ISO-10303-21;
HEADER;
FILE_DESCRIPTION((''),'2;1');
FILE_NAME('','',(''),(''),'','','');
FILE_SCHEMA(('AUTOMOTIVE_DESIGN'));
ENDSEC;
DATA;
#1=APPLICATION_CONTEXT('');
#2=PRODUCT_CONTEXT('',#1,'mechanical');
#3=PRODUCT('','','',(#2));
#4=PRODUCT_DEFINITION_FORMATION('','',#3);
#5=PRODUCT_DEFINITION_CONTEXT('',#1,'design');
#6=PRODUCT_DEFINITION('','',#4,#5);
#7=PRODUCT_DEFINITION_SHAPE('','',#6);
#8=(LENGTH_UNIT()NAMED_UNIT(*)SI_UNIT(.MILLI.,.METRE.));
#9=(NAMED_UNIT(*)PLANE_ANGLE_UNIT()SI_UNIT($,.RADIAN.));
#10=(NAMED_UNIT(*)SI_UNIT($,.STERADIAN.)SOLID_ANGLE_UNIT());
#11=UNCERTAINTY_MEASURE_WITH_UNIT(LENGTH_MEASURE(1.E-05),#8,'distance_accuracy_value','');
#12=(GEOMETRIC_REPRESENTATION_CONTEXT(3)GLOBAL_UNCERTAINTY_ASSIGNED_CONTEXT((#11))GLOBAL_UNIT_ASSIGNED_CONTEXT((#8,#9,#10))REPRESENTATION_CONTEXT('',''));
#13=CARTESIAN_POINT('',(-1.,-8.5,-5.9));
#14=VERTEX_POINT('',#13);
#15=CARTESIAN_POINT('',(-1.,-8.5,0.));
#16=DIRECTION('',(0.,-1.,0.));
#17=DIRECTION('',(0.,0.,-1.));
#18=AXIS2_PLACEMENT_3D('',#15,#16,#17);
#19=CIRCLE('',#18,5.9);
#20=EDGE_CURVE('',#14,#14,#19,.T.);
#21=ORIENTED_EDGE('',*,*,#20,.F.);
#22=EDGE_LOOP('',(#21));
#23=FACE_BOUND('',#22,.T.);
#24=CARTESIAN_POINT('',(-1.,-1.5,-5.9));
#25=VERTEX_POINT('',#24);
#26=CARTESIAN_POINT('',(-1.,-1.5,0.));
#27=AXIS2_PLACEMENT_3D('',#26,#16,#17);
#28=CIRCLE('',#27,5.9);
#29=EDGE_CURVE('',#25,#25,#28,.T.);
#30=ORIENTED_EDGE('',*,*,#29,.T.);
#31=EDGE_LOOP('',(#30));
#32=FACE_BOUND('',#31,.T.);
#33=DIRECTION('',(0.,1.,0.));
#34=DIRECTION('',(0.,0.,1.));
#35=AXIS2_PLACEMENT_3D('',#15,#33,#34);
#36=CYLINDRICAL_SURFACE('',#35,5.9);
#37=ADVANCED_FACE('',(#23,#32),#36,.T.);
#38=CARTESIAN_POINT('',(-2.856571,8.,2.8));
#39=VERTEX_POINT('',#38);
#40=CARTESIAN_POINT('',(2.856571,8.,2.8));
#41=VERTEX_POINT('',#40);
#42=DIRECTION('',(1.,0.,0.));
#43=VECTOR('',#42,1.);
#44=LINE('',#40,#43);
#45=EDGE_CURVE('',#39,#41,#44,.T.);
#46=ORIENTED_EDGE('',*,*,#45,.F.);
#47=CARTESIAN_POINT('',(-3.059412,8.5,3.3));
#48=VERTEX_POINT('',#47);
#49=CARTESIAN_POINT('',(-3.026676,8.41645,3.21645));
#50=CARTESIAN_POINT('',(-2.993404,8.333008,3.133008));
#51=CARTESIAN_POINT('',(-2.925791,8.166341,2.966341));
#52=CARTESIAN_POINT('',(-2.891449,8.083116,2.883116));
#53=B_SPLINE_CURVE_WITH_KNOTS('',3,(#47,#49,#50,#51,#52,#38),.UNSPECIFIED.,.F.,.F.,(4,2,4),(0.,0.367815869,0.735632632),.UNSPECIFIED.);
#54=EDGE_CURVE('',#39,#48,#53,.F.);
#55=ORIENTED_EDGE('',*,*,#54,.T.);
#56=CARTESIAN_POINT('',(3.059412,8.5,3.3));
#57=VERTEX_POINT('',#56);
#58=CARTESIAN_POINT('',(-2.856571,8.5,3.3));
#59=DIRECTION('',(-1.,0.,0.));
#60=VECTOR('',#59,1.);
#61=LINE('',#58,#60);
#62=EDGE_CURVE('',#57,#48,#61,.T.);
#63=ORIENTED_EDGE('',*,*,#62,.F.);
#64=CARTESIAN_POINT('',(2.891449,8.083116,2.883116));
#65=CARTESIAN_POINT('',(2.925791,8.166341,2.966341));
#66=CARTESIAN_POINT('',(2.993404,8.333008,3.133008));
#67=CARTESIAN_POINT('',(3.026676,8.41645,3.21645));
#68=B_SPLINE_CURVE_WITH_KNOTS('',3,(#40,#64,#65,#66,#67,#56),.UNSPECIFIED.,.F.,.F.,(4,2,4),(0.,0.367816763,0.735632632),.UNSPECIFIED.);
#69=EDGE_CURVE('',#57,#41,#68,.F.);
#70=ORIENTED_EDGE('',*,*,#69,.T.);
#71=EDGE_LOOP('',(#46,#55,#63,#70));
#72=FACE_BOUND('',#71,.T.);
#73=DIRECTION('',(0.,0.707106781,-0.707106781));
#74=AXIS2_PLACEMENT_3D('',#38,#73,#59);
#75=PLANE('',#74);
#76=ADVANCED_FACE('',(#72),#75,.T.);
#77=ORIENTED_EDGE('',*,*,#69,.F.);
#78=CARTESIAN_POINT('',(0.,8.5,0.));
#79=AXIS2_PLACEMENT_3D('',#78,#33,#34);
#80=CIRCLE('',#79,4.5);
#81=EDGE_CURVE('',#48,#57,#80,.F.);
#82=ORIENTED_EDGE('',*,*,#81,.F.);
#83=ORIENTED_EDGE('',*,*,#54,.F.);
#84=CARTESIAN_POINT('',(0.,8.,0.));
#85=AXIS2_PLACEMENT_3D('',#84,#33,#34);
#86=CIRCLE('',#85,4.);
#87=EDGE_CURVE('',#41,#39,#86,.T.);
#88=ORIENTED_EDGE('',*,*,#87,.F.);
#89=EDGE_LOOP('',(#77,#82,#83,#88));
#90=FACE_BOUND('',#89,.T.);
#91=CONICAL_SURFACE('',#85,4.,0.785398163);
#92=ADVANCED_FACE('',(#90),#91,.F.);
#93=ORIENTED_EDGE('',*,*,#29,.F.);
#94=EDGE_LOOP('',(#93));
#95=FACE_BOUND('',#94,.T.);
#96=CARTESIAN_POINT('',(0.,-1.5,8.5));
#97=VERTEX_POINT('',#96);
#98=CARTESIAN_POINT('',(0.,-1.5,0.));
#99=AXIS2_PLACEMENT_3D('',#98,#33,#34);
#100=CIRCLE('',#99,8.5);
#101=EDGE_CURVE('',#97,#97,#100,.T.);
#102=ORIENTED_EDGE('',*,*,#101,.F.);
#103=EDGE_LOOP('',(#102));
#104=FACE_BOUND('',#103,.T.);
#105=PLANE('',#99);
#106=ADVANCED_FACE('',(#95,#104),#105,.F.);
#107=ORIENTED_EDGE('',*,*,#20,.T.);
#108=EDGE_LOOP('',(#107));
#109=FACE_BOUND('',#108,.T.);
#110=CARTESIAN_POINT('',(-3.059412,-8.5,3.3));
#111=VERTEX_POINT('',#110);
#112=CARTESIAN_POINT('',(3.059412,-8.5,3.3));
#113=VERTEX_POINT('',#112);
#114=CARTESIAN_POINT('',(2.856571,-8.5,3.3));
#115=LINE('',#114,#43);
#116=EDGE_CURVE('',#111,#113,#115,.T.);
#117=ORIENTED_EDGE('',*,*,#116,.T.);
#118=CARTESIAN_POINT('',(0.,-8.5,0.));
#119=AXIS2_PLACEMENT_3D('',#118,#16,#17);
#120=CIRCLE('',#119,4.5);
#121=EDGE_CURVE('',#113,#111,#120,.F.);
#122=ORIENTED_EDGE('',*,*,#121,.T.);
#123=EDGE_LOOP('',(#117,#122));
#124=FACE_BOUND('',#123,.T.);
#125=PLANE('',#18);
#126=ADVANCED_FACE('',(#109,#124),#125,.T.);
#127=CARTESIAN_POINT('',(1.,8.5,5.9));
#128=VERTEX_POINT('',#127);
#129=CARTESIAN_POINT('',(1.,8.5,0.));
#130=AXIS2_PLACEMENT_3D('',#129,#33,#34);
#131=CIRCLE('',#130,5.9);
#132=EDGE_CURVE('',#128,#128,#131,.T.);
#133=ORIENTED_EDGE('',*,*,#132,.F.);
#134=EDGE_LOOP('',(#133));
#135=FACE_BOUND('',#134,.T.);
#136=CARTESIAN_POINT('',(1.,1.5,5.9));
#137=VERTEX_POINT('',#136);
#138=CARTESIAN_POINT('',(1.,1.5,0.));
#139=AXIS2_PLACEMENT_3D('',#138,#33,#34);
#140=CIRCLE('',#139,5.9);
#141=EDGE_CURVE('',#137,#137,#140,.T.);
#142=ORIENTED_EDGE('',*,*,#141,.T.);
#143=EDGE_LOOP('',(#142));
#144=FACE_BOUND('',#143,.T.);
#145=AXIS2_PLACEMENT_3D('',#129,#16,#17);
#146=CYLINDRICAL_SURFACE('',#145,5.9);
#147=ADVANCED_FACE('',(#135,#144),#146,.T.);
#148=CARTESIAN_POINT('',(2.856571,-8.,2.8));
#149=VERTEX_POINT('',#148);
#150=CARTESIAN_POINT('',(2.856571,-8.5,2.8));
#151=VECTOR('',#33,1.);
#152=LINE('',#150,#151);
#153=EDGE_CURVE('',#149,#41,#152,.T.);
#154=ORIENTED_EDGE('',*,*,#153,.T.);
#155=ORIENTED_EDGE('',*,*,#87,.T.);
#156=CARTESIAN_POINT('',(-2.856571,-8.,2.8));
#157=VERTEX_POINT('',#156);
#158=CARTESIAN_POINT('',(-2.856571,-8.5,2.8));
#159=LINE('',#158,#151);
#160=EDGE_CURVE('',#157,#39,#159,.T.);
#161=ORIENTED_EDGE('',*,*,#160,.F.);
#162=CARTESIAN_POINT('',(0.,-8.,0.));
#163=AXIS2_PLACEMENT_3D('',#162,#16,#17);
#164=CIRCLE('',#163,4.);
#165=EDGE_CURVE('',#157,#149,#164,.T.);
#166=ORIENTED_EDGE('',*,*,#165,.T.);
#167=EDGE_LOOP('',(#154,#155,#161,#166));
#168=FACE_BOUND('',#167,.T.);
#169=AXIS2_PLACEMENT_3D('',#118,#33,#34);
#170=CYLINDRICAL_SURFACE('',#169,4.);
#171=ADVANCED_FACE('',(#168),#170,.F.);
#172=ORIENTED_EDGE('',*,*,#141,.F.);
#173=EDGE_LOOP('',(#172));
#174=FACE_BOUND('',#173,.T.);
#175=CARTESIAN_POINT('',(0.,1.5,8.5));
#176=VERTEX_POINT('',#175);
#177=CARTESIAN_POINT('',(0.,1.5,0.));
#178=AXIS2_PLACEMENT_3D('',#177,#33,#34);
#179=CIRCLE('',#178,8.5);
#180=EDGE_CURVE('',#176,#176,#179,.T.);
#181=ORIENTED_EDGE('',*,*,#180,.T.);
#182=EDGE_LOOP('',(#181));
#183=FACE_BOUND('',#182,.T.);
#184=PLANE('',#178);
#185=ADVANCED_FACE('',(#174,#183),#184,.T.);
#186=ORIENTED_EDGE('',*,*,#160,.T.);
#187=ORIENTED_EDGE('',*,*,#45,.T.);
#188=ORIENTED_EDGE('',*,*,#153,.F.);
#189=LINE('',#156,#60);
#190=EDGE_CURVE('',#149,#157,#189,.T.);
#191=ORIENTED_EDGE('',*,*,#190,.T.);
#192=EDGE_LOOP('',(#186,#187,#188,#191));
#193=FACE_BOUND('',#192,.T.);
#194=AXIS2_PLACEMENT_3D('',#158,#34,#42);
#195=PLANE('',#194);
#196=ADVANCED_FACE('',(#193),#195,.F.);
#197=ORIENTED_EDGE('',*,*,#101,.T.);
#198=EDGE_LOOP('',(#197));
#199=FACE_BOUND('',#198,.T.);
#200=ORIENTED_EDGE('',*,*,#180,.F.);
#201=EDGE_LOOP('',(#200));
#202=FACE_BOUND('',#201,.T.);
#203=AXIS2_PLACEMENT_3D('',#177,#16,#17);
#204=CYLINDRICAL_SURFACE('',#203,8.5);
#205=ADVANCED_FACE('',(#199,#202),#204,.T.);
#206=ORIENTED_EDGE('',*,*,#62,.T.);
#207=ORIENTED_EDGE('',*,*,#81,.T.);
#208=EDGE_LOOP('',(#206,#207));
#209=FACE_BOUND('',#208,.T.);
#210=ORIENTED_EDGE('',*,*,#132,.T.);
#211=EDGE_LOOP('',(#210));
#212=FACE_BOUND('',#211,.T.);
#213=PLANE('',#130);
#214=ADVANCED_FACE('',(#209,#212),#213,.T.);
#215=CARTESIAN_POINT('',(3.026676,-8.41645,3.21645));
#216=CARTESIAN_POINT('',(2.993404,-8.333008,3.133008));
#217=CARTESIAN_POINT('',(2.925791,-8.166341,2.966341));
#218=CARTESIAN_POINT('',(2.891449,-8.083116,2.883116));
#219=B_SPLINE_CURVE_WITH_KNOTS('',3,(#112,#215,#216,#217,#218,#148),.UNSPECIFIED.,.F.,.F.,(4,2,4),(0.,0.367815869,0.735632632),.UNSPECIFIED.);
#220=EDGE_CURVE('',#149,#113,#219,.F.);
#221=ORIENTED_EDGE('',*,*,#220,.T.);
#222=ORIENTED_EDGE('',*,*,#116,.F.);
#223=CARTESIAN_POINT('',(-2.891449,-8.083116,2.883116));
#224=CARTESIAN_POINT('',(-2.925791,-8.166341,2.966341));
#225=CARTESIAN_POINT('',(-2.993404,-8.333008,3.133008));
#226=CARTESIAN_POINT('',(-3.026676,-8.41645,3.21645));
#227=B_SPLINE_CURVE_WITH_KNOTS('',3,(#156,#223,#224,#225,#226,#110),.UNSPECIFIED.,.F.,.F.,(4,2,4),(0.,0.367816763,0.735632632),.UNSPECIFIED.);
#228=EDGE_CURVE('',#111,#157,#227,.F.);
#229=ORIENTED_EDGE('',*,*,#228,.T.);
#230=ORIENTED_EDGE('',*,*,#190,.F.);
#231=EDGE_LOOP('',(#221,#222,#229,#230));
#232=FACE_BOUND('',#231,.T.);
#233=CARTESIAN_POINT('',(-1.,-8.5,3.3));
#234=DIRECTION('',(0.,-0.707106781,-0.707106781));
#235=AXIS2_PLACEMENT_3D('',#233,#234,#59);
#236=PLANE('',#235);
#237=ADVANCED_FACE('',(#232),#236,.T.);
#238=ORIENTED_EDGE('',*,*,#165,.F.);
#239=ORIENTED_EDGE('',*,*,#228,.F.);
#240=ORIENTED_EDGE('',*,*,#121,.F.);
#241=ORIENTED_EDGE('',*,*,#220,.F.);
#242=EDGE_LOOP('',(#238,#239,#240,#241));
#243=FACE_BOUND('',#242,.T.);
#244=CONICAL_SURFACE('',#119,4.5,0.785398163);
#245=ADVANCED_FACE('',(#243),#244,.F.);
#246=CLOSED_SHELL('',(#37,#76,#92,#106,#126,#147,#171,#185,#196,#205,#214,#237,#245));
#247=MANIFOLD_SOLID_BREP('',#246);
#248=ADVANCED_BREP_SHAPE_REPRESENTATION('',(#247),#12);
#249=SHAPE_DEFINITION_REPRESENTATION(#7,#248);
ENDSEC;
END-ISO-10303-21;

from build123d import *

# Parameters (mm, degrees)
SKIZZE1_R                       = 8.5
AUFSATZ_LINEAR_AUSTRAGEN1_DEPTH = 1.5
SKIZZE2_R                       = 5.9
AUFSATZ_LINEAR_AUSTRAGEN2_DEPTH = 7
SKIZZE3_R                       = 5.9
AUFSATZ_LINEAR_AUSTRAGEN3_DEPTH = 7
SCHNITT_LINEAR_AUSTRAGEN1_DEPTH = 21.820662814
FASE1_SIZE                      = 0.5


with BuildPart() as part:
    # Skizze1 → Aufsatz-Linear austragen1 (new, symmetric)
    with BuildSketch(Plane(origin=(0, 0, 0), x_dir=(1, 0, 0), z_dir=(0, 1, 0))):
        with Locations(Location((0, 0, 0), (0, 0, 270))):
            Circle(SKIZZE1_R)
    extrude(amount=AUFSATZ_LINEAR_AUSTRAGEN1_DEPTH, both=True)

    # Skizze2 → Aufsatz-Linear austragen2 (add)
    with BuildSketch(Plane(origin=(0, 1.5, 0), x_dir=(1, 0, 0), z_dir=(0, 1, 0))):
        with Locations(Location((1, 0, 0), (0, 0, 270))):
            Circle(SKIZZE2_R)
    extrude(amount=AUFSATZ_LINEAR_AUSTRAGEN2_DEPTH)

    # Skizze3 → Aufsatz-Linear austragen3 (add)
    with BuildSketch(Plane.XZ.offset(1.5)):
        with Locations(Location((-1, 0, 0), (0, 0, 270))):
            Circle(SKIZZE3_R)
    extrude(amount=AUFSATZ_LINEAR_AUSTRAGEN3_DEPTH)

    # Skizze4 → Schnitt-Linear austragen1 (cut, through all)
    with BuildSketch(Plane(origin=(0, 8.5, 0), x_dir=(1, 0, 0), z_dir=(0, 1, 0))):
        with BuildLine():
            Line((-2.856571371, -2.8), (2.856571371, -2.8))
            ThreePointArc((2.856571371, -2.8), (0, 4), (-2.856571371, -2.8))
        make_face()
    extrude(amount=-SCHNITT_LINEAR_AUSTRAGEN1_DEPTH, mode=Mode.SUBTRACT)

    # Fase1
    fase1_edges = [part.edges().sort_by_distance(p)[0] for p in [
        (0, -8.5, -4),
        (0, -8.5, 2.8),
        (0, 8.5, -4),
        (0, 8.5, 2.8),
    ]]
    chamfer(fase1_edges, length=FASE1_SIZE)


solid = part.part
